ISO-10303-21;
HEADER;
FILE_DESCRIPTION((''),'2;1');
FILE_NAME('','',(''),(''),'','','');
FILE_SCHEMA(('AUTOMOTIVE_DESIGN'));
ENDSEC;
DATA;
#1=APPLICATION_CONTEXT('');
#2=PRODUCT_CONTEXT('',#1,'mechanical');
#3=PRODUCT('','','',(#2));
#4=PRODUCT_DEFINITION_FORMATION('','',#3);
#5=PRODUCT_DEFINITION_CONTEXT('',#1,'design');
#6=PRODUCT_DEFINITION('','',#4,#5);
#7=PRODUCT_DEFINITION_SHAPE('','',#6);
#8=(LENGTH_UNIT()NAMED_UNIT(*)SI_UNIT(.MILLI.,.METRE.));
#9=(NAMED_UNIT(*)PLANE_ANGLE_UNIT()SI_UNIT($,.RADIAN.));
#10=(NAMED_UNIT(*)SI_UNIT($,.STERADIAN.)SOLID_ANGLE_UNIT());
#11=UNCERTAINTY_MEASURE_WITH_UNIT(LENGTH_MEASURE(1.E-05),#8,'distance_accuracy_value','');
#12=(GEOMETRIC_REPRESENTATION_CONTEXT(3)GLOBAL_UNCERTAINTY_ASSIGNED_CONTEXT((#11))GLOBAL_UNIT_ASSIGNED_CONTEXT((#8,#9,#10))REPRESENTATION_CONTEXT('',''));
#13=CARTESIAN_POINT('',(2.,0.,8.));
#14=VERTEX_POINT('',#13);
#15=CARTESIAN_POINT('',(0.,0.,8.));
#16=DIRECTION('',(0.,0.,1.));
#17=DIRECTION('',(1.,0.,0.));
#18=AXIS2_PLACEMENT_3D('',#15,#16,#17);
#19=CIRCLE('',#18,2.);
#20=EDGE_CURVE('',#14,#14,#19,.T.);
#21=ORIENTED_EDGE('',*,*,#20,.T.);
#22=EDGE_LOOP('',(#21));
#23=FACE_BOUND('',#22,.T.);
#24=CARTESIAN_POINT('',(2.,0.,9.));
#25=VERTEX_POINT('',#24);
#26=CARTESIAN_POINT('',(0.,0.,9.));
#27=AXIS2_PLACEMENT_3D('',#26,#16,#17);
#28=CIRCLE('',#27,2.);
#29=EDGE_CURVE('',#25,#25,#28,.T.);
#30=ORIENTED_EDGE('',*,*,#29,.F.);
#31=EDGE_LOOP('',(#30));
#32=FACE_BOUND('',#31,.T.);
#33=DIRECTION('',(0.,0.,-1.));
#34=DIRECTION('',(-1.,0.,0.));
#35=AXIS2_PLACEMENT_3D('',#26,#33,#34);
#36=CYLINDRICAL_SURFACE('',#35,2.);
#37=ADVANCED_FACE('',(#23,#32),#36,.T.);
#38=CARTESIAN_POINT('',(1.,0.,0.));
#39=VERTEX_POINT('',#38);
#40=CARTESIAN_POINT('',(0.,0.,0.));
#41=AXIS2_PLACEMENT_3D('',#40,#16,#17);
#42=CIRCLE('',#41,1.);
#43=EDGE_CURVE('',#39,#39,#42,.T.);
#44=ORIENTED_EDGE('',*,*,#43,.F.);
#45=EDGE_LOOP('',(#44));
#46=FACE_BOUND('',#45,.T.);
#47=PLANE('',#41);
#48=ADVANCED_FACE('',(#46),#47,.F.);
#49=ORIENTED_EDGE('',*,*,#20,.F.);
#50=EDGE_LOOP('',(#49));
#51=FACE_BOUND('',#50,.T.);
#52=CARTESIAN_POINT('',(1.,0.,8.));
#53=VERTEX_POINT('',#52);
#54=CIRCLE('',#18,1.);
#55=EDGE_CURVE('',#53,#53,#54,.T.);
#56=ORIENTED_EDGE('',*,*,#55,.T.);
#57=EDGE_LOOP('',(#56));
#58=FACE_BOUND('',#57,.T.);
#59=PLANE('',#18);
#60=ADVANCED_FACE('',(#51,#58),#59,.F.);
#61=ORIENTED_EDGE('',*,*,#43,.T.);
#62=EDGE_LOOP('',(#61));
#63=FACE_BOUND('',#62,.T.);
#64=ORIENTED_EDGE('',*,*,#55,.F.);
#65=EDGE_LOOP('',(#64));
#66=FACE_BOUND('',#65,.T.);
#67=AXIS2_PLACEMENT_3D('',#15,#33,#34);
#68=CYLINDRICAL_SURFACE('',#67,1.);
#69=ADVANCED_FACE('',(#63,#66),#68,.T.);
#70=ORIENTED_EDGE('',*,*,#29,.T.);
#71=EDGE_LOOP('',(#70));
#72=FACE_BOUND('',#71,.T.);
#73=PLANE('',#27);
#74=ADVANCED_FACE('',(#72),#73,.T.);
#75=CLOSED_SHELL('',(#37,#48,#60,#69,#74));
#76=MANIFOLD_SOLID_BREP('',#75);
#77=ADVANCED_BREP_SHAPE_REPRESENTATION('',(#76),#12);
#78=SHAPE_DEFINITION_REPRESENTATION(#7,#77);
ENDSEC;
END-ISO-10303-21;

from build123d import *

# Parameters (mm, degrees)
SKETCH1_R           = 1
BOSS_EXTRUDE1_DEPTH = 8
SKETCH2_R           = 2
BOSS_EXTRUDE2_DEPTH = 1


with BuildPart() as part:
    # Sketch1 → Boss-Extrude1 (new body)
    with BuildSketch(Plane.XY):
        Circle(SKETCH1_R)
    extrude(amount=BOSS_EXTRUDE1_DEPTH)

    # Sketch2 → Boss-Extrude2 (add)
    with BuildSketch(Plane.XY.offset(8)):
        Circle(SKETCH2_R)
    extrude(amount=BOSS_EXTRUDE2_DEPTH)


solid = part.part
